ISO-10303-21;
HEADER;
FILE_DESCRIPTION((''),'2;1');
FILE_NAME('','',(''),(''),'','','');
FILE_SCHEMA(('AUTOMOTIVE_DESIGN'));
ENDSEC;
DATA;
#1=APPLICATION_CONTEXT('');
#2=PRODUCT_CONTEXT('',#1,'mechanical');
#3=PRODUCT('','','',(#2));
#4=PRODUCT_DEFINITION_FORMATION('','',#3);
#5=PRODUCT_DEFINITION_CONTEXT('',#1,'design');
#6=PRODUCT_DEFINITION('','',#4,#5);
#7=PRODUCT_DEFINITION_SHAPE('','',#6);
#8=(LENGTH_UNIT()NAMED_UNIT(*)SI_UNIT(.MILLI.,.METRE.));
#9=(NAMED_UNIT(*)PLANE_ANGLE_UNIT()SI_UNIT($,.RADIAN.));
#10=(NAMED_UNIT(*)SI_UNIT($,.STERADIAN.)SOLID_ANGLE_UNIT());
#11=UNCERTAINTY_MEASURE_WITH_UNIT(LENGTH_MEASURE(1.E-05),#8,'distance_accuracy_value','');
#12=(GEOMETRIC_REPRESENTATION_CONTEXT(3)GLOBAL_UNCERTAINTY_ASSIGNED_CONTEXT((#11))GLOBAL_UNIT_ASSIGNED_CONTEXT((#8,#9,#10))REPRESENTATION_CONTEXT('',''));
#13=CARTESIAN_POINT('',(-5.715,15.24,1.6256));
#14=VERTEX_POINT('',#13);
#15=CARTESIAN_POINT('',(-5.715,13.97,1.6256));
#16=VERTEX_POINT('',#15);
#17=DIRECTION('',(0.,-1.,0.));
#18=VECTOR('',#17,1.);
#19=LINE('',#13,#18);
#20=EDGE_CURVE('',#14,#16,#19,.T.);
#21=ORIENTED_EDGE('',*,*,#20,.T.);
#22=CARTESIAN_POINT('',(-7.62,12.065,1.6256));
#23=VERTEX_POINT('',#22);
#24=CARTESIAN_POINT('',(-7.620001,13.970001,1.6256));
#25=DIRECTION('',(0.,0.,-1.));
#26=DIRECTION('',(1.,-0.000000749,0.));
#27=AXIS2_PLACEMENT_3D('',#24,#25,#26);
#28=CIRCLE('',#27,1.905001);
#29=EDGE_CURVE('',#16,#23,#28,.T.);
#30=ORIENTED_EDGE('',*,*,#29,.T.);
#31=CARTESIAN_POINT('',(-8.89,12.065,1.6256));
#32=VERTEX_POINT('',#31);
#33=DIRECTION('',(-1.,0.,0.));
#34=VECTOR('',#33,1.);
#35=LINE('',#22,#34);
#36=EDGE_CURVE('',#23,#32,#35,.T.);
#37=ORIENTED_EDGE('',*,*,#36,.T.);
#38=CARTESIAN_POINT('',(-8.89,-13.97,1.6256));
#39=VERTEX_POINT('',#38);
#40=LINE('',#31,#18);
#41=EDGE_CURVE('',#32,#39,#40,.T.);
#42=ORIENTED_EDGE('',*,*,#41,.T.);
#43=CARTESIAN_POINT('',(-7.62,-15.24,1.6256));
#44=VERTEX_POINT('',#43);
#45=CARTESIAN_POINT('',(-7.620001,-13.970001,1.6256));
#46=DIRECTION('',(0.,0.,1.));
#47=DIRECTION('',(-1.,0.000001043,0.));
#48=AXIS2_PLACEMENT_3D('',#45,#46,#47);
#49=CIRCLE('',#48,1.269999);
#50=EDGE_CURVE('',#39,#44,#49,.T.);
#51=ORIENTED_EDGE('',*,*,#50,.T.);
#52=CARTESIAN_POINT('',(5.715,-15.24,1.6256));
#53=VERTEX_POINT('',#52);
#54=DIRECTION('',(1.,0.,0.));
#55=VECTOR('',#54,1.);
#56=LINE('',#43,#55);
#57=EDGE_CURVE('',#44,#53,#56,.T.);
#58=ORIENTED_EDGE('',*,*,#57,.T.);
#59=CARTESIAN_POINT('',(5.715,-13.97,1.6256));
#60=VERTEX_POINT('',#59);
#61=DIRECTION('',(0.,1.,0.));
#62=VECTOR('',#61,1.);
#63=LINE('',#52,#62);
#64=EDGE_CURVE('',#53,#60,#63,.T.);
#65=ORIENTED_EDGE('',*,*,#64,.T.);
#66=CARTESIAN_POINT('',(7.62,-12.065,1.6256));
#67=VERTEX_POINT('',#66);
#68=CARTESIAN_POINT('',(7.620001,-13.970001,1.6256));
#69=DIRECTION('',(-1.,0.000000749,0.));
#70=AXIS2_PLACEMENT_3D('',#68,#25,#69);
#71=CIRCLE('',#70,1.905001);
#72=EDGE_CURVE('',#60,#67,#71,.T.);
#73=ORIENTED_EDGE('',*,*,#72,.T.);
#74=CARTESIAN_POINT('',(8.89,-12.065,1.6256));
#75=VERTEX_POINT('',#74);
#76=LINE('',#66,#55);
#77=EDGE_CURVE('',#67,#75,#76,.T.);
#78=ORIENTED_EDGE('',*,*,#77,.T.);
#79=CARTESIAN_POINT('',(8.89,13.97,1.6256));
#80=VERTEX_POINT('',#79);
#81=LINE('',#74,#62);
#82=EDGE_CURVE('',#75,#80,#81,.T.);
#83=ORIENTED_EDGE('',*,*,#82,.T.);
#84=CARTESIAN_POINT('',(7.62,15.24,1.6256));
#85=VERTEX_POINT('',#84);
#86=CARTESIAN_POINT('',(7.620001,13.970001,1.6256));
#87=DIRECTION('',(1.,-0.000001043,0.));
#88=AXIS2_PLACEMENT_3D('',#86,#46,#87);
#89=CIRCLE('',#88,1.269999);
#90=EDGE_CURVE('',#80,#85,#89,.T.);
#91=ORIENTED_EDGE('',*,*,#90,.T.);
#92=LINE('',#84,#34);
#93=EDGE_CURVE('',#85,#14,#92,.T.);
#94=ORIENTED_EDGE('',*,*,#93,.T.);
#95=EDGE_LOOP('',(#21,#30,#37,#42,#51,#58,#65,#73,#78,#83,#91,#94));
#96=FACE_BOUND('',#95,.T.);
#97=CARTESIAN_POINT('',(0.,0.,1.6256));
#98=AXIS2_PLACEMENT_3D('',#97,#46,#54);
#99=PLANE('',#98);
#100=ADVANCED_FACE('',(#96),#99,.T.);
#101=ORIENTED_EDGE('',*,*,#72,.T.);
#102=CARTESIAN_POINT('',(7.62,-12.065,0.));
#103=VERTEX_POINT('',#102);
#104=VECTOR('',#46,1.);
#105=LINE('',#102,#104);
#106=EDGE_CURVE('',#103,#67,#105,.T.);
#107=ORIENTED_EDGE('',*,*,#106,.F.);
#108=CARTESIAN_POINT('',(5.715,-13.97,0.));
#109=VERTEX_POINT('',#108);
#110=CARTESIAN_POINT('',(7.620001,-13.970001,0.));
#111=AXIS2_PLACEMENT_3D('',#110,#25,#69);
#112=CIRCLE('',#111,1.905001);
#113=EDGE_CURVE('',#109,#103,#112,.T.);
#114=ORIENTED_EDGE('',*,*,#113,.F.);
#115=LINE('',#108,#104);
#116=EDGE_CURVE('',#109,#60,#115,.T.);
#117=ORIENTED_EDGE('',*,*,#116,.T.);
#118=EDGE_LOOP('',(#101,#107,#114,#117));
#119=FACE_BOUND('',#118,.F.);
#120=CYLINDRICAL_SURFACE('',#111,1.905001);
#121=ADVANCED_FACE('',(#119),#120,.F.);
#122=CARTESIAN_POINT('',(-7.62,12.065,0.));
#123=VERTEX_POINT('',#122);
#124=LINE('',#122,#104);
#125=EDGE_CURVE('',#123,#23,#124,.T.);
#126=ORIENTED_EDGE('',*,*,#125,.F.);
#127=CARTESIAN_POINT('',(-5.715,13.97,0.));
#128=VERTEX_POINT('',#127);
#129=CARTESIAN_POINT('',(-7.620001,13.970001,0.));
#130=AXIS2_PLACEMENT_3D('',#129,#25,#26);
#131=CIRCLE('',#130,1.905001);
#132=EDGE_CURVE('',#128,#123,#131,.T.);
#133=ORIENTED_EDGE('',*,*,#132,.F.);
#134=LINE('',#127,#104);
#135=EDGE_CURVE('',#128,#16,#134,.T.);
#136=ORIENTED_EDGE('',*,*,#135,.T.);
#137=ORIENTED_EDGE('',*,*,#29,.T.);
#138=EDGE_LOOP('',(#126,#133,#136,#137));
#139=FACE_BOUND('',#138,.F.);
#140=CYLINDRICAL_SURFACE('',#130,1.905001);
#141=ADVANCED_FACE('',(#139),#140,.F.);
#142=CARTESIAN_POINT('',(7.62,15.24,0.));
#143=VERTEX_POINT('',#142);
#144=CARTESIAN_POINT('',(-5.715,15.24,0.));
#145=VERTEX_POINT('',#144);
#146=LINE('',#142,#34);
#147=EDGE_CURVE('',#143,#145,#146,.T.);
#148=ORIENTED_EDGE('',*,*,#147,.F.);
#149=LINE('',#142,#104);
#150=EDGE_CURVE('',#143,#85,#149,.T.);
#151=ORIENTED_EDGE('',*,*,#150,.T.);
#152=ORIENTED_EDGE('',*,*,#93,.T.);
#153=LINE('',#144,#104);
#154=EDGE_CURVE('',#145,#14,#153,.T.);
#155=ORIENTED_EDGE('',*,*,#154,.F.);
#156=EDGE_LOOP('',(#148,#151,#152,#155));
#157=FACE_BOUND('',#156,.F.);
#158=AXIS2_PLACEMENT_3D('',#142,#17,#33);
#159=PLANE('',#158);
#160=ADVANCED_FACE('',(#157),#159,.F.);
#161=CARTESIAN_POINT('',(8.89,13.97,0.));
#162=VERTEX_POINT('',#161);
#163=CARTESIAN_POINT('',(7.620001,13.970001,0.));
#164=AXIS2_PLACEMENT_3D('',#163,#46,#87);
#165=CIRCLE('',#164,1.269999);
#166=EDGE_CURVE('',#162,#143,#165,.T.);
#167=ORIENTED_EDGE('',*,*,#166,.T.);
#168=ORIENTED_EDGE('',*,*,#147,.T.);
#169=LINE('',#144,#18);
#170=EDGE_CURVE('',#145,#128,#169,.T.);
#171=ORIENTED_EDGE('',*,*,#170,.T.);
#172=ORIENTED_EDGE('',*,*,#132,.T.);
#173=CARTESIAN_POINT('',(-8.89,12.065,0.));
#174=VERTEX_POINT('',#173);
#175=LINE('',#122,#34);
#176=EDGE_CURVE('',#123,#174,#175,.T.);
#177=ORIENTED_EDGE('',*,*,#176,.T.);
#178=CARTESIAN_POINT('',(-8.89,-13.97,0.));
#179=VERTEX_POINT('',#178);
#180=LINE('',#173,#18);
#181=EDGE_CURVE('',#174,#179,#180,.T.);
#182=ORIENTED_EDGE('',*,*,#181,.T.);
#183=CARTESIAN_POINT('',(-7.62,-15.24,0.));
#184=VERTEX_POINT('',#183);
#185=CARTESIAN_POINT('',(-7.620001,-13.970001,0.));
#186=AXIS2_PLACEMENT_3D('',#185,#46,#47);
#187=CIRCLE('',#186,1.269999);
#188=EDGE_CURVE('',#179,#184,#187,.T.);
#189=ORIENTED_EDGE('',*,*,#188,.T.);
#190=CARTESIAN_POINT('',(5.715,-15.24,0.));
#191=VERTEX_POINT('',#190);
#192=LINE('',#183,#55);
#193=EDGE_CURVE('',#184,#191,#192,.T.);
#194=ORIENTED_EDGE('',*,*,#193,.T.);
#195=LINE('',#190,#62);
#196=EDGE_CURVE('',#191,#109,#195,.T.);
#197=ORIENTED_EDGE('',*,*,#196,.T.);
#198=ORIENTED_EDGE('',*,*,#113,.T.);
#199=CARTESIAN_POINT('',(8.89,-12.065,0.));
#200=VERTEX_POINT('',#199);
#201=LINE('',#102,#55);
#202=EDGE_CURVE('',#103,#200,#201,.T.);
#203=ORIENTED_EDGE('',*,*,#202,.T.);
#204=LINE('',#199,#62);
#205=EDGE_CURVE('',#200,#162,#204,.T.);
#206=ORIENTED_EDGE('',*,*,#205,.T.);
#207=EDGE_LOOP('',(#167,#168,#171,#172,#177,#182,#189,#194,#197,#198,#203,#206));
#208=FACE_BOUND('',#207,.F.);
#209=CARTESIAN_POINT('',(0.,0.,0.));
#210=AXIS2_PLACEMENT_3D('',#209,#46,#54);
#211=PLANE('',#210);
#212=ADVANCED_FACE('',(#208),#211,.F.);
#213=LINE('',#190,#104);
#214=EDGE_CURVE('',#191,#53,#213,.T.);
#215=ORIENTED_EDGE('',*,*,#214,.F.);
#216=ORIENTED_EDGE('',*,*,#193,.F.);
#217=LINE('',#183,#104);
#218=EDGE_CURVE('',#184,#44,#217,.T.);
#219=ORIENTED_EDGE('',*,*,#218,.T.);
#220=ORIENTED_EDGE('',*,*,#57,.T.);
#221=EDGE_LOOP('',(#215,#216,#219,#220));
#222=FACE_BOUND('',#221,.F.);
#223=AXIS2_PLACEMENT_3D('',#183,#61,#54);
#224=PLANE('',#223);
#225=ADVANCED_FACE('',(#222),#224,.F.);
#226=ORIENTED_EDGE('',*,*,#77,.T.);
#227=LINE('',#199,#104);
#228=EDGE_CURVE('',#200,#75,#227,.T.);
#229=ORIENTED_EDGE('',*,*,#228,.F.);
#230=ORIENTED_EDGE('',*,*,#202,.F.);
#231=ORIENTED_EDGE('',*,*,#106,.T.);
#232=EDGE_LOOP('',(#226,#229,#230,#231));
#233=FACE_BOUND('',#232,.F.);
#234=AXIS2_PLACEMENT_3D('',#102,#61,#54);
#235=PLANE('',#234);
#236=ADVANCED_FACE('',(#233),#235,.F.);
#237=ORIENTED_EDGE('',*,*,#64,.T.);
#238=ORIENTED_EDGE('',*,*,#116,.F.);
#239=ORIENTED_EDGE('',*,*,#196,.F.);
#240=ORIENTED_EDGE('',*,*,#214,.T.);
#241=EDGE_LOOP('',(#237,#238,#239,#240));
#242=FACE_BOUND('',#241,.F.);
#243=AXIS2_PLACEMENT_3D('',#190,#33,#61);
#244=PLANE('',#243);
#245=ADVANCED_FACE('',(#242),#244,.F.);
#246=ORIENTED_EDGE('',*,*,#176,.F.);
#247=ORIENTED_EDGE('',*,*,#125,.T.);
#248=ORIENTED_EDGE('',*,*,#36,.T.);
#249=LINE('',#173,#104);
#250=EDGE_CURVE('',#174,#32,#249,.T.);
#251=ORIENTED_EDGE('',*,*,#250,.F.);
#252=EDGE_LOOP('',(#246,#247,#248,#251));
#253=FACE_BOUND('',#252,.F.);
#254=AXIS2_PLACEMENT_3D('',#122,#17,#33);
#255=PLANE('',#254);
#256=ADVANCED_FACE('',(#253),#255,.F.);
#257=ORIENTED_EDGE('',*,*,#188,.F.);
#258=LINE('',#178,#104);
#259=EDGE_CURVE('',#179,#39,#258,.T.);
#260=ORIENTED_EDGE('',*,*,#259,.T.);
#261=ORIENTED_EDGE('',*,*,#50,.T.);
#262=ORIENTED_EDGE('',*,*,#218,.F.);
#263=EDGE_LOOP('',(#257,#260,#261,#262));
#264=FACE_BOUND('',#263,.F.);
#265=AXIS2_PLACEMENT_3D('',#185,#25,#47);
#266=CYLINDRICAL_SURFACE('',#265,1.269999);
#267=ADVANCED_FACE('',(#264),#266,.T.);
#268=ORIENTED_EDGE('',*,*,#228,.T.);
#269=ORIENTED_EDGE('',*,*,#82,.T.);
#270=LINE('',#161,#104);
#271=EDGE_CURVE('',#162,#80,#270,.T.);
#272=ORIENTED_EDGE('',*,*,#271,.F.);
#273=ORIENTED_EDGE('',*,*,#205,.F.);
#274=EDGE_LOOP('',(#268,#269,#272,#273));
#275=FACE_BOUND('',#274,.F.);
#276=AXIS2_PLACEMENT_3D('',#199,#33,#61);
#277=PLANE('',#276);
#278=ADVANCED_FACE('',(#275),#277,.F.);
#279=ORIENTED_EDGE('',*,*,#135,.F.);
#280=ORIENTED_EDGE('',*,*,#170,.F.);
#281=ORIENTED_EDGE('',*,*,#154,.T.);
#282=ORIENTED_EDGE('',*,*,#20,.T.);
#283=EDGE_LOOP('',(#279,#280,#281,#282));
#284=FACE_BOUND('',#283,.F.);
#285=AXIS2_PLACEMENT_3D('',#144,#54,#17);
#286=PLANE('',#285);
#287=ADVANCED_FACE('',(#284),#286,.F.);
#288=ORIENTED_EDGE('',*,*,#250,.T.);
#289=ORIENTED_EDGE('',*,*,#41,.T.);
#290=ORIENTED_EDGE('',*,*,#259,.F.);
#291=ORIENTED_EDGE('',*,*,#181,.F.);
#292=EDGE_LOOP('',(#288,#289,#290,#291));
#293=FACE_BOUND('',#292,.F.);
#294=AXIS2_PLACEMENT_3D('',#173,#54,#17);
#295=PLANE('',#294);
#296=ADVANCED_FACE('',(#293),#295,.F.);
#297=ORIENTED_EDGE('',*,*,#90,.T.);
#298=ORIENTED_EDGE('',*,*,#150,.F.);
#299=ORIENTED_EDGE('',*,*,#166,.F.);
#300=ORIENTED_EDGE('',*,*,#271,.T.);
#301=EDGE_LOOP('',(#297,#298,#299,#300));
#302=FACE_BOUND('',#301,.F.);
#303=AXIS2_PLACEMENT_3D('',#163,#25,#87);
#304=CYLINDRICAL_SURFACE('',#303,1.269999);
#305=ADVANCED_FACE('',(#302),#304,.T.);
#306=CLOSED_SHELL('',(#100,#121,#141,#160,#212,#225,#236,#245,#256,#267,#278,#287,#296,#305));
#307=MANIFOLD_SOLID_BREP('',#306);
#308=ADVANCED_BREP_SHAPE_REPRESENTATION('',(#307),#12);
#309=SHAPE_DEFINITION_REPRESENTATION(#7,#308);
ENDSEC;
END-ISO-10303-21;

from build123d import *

# Parameters (mm, degrees)
F1_DEPTH = 1.6256


with BuildPart() as f1:
    # F0 (on Top) → F1 (new body)
    with BuildSketch(Plane.XY):
        with BuildLine():
            ThreePointArc((8.89, 13.97), (8.518026, 14.868026), (7.62, 15.24))
            Line((7.62, 15.24), (-5.715, 15.24))
            Line((-5.715, 15.24), (-5.715, 13.97))
            ThreePointArc((-5.715, 13.97), (-6.272962, 12.622962), (-7.62, 12.065))
            Line((-7.62, 12.065), (-8.89, 12.065))
            Line((-8.89, 12.065), (-8.89, -13.97))
            ThreePointArc((-8.89, -13.97), (-8.518026, -14.868026), (-7.62, -15.24))
            Line((-7.62, -15.24), (5.715, -15.24))
            Line((5.715, -15.24), (5.715, -13.97))
            ThreePointArc((5.715, -13.97), (6.272962, -12.622962), (7.62, -12.065))
            Line((7.62, -12.065), (8.89, -12.065))
            Line((8.89, -12.065), (8.89, 13.97))
        make_face()
    extrude(amount=F1_DEPTH)


solid = f1.part
